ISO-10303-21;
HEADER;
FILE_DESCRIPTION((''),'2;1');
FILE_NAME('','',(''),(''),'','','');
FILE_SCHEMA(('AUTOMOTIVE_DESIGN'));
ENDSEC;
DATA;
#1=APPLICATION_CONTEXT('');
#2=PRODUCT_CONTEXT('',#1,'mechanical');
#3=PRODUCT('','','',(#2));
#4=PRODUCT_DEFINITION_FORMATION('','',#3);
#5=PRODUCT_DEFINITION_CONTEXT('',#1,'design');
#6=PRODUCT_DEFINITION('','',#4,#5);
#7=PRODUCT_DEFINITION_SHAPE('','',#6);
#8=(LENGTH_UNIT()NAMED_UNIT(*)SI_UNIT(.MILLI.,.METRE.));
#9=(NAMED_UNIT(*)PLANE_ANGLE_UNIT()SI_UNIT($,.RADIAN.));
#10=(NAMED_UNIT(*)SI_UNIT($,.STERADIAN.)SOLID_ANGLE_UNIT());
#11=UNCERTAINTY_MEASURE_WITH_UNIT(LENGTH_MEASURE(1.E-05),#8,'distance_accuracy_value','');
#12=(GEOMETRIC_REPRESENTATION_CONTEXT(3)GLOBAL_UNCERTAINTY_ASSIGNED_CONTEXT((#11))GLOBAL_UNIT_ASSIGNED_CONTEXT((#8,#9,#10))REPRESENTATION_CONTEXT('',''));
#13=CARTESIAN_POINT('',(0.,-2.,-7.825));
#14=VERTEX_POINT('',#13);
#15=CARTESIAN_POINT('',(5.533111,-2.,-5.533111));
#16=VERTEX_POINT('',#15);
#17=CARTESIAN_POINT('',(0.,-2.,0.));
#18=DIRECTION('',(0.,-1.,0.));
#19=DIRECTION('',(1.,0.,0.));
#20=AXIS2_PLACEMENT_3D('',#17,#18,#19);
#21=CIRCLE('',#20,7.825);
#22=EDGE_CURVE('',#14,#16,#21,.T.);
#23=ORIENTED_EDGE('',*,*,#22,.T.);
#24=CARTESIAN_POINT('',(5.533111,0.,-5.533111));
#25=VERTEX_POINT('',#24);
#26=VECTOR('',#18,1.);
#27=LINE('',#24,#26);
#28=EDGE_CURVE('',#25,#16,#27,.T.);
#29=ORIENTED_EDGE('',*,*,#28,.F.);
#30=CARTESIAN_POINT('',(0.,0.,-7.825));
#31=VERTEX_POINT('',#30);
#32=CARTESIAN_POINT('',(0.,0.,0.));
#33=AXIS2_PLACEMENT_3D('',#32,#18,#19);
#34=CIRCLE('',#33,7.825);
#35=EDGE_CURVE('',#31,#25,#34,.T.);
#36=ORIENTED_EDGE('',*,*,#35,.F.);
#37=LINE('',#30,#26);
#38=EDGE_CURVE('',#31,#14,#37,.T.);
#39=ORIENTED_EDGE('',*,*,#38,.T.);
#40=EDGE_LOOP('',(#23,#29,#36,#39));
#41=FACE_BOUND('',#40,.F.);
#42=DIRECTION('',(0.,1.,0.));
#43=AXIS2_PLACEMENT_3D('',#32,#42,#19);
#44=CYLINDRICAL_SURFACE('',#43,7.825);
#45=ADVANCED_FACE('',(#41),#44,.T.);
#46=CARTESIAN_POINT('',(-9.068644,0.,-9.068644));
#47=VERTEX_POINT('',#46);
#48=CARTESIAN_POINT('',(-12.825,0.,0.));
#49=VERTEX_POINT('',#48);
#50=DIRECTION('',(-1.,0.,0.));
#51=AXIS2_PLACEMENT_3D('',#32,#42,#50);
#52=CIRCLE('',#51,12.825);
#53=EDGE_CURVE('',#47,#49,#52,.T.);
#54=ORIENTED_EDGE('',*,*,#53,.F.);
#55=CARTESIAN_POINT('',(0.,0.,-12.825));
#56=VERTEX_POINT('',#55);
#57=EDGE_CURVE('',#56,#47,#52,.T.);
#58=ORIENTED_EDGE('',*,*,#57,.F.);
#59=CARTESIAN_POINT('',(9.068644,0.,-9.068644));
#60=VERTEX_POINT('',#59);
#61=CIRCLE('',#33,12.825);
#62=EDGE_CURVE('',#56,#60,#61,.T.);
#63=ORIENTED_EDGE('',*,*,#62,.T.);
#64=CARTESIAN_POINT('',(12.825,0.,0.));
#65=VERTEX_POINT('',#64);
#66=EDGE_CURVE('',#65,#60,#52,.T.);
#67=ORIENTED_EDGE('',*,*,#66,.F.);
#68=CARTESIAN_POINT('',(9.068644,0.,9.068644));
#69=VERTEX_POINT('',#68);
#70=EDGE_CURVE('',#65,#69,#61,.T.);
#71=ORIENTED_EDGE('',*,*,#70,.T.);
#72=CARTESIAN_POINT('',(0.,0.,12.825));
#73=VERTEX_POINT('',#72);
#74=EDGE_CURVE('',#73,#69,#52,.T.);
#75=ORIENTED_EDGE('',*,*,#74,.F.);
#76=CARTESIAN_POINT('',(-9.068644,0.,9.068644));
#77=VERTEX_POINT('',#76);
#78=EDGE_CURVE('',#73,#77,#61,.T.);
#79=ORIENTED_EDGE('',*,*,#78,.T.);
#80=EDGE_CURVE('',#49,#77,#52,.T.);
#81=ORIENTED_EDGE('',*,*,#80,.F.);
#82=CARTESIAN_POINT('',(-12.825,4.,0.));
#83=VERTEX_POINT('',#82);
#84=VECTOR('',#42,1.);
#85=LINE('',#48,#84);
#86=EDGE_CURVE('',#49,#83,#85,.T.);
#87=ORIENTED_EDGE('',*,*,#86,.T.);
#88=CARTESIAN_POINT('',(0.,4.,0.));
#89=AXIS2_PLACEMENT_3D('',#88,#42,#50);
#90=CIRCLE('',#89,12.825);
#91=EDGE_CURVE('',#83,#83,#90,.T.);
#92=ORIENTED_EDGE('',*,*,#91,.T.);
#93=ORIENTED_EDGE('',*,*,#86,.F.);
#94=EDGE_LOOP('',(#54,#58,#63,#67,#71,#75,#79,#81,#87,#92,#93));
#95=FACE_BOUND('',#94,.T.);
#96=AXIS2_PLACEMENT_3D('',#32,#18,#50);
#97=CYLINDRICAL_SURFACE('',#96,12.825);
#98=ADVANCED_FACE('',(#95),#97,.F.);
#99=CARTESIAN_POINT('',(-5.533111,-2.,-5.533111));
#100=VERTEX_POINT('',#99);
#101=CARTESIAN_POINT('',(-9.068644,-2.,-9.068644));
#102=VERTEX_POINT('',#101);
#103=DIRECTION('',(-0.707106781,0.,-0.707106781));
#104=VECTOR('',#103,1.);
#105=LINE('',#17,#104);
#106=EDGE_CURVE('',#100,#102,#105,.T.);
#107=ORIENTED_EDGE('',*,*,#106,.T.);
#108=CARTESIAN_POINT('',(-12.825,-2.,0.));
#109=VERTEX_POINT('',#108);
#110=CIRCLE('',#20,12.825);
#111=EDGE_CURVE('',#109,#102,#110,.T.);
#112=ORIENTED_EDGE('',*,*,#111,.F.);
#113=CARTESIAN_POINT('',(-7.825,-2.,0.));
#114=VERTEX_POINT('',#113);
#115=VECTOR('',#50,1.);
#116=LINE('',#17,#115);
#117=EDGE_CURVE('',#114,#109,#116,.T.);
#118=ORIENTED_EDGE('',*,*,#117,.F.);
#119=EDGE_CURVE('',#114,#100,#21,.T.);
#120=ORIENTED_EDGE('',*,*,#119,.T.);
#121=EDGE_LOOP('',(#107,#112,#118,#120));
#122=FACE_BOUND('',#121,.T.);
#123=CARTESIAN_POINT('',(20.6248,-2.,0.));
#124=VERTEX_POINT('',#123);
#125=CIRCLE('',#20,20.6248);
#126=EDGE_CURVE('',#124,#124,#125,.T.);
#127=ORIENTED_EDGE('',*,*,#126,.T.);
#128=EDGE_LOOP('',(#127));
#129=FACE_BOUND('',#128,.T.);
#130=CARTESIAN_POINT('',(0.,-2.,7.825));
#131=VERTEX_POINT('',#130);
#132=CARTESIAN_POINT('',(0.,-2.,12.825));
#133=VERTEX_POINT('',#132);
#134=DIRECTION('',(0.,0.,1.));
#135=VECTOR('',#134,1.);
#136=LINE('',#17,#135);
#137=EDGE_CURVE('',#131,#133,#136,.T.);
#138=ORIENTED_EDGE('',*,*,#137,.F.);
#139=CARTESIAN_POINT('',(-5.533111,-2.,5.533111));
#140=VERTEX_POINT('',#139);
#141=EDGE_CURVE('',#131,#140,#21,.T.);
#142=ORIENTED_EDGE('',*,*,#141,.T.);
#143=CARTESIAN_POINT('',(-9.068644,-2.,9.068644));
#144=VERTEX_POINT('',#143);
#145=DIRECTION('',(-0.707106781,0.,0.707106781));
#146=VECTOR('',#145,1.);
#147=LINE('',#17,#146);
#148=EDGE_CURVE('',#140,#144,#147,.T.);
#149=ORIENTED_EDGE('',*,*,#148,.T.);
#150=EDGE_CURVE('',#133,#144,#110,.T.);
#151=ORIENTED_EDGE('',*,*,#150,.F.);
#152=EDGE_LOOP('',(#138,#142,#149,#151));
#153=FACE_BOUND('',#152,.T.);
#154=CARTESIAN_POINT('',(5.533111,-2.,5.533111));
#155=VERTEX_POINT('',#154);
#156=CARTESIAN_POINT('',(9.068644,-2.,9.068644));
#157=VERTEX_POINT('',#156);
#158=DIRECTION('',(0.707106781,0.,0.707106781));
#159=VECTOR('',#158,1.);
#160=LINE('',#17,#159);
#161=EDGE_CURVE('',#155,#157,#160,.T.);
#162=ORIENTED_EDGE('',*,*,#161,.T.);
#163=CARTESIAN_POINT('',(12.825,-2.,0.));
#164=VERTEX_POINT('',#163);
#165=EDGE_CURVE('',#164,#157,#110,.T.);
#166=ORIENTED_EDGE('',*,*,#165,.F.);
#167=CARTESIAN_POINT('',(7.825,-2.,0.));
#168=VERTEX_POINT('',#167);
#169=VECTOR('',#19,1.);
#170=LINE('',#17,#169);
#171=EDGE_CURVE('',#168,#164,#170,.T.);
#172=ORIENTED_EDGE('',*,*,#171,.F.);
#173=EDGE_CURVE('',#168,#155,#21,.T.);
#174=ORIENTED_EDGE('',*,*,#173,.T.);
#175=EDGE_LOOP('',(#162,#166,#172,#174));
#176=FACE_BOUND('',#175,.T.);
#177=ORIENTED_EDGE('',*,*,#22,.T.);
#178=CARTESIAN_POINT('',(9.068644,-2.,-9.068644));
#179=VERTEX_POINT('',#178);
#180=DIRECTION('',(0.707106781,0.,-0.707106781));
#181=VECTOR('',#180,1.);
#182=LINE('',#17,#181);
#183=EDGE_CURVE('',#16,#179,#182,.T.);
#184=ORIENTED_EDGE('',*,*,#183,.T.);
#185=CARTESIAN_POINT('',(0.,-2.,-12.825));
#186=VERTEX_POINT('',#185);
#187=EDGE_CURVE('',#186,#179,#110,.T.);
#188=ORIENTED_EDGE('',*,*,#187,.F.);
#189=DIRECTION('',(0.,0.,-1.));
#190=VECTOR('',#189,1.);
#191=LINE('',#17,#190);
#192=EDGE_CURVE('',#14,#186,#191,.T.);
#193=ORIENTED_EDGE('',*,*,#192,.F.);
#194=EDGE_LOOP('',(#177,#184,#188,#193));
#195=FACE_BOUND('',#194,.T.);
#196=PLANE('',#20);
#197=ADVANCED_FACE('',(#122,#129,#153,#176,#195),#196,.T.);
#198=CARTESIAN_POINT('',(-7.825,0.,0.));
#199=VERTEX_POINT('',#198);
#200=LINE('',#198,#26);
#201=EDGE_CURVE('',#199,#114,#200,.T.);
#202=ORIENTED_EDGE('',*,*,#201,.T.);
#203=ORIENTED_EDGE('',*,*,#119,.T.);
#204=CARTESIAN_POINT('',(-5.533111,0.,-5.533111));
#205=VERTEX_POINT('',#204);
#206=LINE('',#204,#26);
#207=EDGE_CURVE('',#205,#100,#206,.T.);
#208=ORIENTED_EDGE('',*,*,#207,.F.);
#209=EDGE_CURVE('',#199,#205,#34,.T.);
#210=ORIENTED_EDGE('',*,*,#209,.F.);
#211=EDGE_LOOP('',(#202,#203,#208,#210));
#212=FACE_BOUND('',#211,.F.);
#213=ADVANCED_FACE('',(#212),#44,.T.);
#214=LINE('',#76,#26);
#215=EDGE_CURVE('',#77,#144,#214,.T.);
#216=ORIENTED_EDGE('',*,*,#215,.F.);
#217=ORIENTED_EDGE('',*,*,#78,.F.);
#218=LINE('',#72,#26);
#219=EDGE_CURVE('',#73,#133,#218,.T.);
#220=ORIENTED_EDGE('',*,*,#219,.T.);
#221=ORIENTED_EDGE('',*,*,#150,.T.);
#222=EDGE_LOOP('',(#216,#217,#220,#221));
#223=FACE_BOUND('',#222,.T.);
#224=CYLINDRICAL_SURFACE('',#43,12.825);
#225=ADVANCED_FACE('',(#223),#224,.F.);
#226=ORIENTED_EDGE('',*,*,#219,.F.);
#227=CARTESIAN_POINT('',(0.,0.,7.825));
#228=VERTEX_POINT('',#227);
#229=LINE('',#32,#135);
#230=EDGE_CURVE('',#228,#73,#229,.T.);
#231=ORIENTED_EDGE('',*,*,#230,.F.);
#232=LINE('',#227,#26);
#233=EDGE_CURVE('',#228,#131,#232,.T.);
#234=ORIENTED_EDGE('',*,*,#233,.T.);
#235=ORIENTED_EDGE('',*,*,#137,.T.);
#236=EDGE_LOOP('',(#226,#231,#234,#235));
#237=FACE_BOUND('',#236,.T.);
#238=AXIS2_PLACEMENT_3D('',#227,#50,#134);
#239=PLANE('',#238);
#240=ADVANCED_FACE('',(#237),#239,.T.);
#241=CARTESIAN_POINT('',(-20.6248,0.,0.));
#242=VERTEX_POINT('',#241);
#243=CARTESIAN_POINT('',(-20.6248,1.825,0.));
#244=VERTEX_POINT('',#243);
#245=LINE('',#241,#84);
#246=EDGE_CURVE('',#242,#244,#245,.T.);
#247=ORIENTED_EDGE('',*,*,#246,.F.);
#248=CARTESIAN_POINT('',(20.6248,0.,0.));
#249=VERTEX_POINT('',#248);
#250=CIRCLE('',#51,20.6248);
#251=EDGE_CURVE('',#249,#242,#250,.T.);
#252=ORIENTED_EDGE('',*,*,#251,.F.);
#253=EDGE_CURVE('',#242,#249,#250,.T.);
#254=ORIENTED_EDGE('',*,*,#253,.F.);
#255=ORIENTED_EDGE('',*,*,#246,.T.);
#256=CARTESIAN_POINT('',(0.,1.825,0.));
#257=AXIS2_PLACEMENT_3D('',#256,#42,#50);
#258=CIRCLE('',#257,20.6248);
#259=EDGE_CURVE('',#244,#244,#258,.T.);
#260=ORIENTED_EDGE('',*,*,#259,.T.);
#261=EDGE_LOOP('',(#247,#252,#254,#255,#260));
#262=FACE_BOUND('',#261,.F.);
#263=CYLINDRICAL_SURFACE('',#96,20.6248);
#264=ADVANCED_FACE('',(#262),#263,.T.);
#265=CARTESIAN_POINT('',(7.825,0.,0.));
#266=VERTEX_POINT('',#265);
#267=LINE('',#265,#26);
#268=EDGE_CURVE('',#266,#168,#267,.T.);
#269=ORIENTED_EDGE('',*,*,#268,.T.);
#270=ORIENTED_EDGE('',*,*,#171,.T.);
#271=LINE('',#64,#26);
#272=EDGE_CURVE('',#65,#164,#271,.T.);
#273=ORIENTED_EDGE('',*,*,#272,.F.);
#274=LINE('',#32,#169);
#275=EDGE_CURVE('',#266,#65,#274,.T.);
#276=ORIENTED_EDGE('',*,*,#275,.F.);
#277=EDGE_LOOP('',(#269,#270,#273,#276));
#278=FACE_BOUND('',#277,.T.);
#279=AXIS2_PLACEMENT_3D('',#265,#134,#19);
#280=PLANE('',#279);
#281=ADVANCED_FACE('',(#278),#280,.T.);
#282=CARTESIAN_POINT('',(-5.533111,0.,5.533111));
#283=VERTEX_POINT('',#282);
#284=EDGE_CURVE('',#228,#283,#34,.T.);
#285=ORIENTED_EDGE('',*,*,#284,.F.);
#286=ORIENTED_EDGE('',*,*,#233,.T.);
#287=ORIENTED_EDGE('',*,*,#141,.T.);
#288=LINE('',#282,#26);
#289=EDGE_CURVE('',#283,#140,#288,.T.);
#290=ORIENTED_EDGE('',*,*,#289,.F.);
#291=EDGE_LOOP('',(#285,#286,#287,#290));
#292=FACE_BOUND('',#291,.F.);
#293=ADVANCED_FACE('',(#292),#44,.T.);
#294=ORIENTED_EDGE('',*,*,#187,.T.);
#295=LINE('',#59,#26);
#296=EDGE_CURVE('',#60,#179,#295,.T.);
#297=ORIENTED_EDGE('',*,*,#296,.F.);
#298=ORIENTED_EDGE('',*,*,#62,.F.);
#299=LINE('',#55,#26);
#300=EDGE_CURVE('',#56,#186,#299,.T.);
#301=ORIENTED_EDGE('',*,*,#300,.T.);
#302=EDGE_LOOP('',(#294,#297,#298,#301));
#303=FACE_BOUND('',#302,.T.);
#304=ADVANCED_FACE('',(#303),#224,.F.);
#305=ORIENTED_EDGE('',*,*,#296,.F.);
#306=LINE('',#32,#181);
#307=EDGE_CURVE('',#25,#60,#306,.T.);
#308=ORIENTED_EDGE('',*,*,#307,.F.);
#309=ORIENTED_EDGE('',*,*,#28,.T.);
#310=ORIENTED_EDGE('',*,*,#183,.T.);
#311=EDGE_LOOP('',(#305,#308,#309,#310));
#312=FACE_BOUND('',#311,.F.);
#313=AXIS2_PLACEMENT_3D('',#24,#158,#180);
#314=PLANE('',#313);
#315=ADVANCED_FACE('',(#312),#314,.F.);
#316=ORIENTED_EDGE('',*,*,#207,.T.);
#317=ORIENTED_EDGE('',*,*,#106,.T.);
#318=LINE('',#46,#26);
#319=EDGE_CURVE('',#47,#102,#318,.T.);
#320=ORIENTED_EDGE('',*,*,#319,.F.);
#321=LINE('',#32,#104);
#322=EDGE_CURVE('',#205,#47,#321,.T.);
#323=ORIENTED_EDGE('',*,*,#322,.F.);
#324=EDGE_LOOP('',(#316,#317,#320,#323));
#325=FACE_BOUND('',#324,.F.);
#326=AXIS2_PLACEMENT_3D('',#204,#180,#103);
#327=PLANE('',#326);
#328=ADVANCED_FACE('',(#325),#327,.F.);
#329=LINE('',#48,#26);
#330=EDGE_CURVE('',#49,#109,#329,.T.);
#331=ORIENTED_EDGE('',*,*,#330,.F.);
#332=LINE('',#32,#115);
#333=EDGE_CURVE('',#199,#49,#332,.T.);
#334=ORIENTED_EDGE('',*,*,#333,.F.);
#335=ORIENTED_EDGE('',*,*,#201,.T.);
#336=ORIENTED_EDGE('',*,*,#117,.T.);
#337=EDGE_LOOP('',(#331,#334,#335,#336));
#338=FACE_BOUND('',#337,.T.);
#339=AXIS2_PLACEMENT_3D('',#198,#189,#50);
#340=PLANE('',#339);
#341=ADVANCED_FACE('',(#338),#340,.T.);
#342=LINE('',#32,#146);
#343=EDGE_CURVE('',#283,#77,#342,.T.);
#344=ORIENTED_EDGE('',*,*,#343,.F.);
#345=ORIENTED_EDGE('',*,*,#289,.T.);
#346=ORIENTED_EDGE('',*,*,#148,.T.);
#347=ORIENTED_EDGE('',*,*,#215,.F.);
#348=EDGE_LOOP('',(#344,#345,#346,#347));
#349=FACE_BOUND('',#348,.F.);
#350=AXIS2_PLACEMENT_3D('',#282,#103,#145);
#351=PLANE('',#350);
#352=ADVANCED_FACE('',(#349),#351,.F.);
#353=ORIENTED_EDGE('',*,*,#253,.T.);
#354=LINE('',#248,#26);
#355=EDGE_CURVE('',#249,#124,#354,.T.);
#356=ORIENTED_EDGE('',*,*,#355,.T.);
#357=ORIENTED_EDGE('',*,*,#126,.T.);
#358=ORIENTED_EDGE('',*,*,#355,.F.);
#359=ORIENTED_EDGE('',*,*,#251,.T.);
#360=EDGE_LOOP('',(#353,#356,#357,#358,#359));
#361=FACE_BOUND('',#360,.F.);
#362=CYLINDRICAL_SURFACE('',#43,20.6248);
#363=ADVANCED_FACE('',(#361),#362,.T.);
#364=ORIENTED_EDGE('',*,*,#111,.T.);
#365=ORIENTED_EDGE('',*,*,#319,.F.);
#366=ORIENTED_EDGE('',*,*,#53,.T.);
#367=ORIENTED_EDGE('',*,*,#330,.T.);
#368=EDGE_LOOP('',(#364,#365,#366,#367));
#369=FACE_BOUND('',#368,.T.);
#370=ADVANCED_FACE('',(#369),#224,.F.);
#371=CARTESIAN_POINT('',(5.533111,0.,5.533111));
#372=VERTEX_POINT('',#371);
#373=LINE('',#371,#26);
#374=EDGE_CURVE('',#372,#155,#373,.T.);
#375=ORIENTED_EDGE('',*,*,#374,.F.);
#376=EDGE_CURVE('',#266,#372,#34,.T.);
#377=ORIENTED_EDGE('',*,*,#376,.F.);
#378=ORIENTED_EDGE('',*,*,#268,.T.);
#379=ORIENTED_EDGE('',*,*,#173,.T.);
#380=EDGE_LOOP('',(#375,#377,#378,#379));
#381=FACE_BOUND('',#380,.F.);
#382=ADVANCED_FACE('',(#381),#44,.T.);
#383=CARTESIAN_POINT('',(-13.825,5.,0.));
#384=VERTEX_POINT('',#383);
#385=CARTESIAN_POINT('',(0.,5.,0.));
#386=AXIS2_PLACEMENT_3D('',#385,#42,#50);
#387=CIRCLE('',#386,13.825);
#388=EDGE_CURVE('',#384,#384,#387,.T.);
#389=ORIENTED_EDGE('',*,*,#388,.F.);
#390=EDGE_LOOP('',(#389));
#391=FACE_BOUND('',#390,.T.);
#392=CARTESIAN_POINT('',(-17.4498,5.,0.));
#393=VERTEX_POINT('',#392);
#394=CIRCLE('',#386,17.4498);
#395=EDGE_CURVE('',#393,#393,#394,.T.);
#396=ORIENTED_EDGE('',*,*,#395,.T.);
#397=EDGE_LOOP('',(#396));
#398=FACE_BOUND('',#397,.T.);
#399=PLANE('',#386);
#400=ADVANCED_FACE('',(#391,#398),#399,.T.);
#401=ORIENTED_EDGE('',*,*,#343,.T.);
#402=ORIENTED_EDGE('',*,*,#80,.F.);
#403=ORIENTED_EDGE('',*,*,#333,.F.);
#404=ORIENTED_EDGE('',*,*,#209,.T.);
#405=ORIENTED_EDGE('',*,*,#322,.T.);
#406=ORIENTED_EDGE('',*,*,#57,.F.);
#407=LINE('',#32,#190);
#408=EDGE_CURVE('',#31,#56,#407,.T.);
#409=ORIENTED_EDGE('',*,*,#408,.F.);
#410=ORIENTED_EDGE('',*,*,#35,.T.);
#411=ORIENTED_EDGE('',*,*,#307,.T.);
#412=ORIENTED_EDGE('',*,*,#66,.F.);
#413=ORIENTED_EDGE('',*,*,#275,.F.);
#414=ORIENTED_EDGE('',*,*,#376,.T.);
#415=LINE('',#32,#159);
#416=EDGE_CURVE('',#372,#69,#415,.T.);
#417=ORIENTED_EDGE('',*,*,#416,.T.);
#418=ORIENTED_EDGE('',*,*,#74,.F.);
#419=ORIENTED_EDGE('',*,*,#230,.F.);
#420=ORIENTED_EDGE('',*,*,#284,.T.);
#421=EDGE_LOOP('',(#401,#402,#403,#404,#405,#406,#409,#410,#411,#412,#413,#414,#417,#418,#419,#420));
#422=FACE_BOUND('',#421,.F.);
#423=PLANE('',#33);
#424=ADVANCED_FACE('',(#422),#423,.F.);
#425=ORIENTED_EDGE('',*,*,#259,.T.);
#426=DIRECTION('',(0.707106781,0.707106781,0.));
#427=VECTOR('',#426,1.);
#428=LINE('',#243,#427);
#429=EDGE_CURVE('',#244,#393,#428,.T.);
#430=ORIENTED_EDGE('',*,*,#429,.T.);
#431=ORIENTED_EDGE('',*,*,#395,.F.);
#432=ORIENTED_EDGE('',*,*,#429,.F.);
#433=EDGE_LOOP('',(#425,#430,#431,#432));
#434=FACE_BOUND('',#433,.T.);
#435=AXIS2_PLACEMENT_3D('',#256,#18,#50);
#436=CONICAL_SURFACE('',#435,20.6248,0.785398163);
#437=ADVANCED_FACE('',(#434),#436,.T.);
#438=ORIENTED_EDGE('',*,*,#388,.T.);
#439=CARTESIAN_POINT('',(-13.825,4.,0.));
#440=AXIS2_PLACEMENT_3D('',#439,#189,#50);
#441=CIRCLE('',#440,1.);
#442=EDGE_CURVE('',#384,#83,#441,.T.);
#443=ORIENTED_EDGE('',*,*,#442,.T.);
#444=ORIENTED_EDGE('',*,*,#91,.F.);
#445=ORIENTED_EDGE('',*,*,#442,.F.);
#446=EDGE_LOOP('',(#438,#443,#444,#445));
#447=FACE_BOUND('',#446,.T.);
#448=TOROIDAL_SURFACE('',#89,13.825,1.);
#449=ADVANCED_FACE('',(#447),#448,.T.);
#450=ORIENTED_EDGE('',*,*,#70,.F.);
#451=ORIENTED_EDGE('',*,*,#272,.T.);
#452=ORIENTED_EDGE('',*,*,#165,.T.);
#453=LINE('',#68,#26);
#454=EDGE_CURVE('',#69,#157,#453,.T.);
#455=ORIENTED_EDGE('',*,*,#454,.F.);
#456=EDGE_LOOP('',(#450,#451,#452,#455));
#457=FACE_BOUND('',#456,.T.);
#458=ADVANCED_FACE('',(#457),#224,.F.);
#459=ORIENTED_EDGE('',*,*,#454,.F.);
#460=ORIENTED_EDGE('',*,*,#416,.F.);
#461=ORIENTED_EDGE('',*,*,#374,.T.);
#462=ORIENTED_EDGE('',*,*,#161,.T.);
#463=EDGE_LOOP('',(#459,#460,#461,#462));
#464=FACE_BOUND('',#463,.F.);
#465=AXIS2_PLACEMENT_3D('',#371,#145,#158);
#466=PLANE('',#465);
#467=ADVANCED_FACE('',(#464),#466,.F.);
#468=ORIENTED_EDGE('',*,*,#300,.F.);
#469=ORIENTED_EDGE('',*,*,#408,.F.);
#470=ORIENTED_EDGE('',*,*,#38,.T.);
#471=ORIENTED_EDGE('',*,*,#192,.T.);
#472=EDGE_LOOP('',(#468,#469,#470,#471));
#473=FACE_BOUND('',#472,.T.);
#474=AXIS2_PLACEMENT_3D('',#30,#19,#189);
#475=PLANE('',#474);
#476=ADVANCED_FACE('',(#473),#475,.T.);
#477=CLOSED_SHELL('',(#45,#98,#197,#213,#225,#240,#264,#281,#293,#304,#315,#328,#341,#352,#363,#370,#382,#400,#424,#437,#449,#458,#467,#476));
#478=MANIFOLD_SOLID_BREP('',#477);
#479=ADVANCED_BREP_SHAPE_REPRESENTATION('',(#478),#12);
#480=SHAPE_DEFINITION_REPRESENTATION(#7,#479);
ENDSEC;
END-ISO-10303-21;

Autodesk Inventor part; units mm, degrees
ref_plane "YZ Plane" through (0, 0, 0) normal (1, 0, 0) x (0, 1, 0)
ref_plane "XZ Plane" through (0, 0, 0) normal (0, 1, 0) x (-1, 0, 0)
ref_plane "XY Plane" through (0, 0, 0) normal (0, 0, 1) x (1, 0, 0)
sketch "Sketch1" plane through (0, 0, 0) normal (0, 1, 0) x (-1, 0, 0)
  circle A0 centre (0, 0) radius 12.825
  circle A1 centre (0, 0) radius 7.9375
  circle A2 centre (0, 0) radius 7.825
  circle A3 centre (0, 0) radius 20.6248
  dimension "TubeDiameter" = 25.65
  dimension "RodDiameter" = 15.875
  dimension "RodGuardDiameter" = 15.65
  dimension "HiltGuardDiameter" = 41.2496
extrude "Tube&DowelMount" add sketch "Sketch1" along normal blind 5 contours A3
sketch "Sketch23" plane through (0, 0, 0) normal (0, -1, 0) x (1, 0, 0)
  circle A0 centre (0, 0) radius 20.6248
  line L0 (0, 0) -> (0, -20.6248)
  circle A1 centre (0, 0) radius 20.6248 projected
  circle A2 centre (0, 0) radius 7.825
  circle A3 centre (0, 0) radius 12.825
  line L1 (0, 0) -> (14.5839, -14.5839)
  line L2 (0, 0) -> (20.6248, 0)
  line L3 (0, 0) -> (14.5839, 14.5839)
  line L4 (0, 0) -> (0, 20.6248)
  line L5 (0, 0) -> (-14.5839, 14.5839)
  line L6 (0, 0) -> (-20.6248, 0)
  line L7 (0, 0) -> (-14.5839, -14.5839)
  point P0 (0, -12.825)
  point P1 (0, -7.825)
  point P2 (5.5331, -5.5331)
  point P3 (9.0686, -9.0686)
  point P4 (-9.0686, -9.0686)
  point P5 (-12.825, 0)
  point P6 (-7.825, 0)
  point P7 (-5.5331, -5.5331)
  point P8 (7.825, 0)
  point P9 (5.5331, 5.5331)
  point P10 (9.0686, 9.0686)
  point P11 (12.825, 0)
  point P12 (0, 7.825)
  point P13 (-5.5331, 5.5331)
  point P14 (-9.0686, 9.0686)
  point P15 (0, 12.825)
  dimension "d128" = 41.2496
  dimension "d129" = 15.65
  dimension "d130" = 25.65
  dimension "d133" = 360
extrude "WireHole" add sketch "Sketch23" along normal blind 2 contours L2 A3 L3 A0 | A0 L1 A3 L2 | L3 A3 L4 A0 | A0 L0 A3 L1 | A3 L1 A2 L2 | L4 A3 L5 A0 | L3 A2 L4 A3 | A0 L7 A3 L0 | L2 L3 A2 | A2 L1 L2 | L5 A3 L6 A0 | L3 L4 A2 | A0 L6 A3 L7 | A3 L7 A2 L0 | A2 L0 L1 | L5 A2 L4 | L6 A2 L5 | L7 A2 L6 | L0 A2 L7 | L5 A2 L6 A3
sketch "Sketch25" plane through (0, -2, 0) normal (0, -1, 0) x (1, 0, 0)
  circle A0 centre (0, 0) radius 12.825
  dimension "d138" = 25.65
chamfer "Chamfer4" distance 3.175 angle 45 1 edges at (20.6248, 5, 0)
fillet "Fillet2" radius 1 1 edges at (12.825, 5, 0)
equation "\"Clearance_1\" = 5"
properties part number "Dowel_Tube_Mount"
